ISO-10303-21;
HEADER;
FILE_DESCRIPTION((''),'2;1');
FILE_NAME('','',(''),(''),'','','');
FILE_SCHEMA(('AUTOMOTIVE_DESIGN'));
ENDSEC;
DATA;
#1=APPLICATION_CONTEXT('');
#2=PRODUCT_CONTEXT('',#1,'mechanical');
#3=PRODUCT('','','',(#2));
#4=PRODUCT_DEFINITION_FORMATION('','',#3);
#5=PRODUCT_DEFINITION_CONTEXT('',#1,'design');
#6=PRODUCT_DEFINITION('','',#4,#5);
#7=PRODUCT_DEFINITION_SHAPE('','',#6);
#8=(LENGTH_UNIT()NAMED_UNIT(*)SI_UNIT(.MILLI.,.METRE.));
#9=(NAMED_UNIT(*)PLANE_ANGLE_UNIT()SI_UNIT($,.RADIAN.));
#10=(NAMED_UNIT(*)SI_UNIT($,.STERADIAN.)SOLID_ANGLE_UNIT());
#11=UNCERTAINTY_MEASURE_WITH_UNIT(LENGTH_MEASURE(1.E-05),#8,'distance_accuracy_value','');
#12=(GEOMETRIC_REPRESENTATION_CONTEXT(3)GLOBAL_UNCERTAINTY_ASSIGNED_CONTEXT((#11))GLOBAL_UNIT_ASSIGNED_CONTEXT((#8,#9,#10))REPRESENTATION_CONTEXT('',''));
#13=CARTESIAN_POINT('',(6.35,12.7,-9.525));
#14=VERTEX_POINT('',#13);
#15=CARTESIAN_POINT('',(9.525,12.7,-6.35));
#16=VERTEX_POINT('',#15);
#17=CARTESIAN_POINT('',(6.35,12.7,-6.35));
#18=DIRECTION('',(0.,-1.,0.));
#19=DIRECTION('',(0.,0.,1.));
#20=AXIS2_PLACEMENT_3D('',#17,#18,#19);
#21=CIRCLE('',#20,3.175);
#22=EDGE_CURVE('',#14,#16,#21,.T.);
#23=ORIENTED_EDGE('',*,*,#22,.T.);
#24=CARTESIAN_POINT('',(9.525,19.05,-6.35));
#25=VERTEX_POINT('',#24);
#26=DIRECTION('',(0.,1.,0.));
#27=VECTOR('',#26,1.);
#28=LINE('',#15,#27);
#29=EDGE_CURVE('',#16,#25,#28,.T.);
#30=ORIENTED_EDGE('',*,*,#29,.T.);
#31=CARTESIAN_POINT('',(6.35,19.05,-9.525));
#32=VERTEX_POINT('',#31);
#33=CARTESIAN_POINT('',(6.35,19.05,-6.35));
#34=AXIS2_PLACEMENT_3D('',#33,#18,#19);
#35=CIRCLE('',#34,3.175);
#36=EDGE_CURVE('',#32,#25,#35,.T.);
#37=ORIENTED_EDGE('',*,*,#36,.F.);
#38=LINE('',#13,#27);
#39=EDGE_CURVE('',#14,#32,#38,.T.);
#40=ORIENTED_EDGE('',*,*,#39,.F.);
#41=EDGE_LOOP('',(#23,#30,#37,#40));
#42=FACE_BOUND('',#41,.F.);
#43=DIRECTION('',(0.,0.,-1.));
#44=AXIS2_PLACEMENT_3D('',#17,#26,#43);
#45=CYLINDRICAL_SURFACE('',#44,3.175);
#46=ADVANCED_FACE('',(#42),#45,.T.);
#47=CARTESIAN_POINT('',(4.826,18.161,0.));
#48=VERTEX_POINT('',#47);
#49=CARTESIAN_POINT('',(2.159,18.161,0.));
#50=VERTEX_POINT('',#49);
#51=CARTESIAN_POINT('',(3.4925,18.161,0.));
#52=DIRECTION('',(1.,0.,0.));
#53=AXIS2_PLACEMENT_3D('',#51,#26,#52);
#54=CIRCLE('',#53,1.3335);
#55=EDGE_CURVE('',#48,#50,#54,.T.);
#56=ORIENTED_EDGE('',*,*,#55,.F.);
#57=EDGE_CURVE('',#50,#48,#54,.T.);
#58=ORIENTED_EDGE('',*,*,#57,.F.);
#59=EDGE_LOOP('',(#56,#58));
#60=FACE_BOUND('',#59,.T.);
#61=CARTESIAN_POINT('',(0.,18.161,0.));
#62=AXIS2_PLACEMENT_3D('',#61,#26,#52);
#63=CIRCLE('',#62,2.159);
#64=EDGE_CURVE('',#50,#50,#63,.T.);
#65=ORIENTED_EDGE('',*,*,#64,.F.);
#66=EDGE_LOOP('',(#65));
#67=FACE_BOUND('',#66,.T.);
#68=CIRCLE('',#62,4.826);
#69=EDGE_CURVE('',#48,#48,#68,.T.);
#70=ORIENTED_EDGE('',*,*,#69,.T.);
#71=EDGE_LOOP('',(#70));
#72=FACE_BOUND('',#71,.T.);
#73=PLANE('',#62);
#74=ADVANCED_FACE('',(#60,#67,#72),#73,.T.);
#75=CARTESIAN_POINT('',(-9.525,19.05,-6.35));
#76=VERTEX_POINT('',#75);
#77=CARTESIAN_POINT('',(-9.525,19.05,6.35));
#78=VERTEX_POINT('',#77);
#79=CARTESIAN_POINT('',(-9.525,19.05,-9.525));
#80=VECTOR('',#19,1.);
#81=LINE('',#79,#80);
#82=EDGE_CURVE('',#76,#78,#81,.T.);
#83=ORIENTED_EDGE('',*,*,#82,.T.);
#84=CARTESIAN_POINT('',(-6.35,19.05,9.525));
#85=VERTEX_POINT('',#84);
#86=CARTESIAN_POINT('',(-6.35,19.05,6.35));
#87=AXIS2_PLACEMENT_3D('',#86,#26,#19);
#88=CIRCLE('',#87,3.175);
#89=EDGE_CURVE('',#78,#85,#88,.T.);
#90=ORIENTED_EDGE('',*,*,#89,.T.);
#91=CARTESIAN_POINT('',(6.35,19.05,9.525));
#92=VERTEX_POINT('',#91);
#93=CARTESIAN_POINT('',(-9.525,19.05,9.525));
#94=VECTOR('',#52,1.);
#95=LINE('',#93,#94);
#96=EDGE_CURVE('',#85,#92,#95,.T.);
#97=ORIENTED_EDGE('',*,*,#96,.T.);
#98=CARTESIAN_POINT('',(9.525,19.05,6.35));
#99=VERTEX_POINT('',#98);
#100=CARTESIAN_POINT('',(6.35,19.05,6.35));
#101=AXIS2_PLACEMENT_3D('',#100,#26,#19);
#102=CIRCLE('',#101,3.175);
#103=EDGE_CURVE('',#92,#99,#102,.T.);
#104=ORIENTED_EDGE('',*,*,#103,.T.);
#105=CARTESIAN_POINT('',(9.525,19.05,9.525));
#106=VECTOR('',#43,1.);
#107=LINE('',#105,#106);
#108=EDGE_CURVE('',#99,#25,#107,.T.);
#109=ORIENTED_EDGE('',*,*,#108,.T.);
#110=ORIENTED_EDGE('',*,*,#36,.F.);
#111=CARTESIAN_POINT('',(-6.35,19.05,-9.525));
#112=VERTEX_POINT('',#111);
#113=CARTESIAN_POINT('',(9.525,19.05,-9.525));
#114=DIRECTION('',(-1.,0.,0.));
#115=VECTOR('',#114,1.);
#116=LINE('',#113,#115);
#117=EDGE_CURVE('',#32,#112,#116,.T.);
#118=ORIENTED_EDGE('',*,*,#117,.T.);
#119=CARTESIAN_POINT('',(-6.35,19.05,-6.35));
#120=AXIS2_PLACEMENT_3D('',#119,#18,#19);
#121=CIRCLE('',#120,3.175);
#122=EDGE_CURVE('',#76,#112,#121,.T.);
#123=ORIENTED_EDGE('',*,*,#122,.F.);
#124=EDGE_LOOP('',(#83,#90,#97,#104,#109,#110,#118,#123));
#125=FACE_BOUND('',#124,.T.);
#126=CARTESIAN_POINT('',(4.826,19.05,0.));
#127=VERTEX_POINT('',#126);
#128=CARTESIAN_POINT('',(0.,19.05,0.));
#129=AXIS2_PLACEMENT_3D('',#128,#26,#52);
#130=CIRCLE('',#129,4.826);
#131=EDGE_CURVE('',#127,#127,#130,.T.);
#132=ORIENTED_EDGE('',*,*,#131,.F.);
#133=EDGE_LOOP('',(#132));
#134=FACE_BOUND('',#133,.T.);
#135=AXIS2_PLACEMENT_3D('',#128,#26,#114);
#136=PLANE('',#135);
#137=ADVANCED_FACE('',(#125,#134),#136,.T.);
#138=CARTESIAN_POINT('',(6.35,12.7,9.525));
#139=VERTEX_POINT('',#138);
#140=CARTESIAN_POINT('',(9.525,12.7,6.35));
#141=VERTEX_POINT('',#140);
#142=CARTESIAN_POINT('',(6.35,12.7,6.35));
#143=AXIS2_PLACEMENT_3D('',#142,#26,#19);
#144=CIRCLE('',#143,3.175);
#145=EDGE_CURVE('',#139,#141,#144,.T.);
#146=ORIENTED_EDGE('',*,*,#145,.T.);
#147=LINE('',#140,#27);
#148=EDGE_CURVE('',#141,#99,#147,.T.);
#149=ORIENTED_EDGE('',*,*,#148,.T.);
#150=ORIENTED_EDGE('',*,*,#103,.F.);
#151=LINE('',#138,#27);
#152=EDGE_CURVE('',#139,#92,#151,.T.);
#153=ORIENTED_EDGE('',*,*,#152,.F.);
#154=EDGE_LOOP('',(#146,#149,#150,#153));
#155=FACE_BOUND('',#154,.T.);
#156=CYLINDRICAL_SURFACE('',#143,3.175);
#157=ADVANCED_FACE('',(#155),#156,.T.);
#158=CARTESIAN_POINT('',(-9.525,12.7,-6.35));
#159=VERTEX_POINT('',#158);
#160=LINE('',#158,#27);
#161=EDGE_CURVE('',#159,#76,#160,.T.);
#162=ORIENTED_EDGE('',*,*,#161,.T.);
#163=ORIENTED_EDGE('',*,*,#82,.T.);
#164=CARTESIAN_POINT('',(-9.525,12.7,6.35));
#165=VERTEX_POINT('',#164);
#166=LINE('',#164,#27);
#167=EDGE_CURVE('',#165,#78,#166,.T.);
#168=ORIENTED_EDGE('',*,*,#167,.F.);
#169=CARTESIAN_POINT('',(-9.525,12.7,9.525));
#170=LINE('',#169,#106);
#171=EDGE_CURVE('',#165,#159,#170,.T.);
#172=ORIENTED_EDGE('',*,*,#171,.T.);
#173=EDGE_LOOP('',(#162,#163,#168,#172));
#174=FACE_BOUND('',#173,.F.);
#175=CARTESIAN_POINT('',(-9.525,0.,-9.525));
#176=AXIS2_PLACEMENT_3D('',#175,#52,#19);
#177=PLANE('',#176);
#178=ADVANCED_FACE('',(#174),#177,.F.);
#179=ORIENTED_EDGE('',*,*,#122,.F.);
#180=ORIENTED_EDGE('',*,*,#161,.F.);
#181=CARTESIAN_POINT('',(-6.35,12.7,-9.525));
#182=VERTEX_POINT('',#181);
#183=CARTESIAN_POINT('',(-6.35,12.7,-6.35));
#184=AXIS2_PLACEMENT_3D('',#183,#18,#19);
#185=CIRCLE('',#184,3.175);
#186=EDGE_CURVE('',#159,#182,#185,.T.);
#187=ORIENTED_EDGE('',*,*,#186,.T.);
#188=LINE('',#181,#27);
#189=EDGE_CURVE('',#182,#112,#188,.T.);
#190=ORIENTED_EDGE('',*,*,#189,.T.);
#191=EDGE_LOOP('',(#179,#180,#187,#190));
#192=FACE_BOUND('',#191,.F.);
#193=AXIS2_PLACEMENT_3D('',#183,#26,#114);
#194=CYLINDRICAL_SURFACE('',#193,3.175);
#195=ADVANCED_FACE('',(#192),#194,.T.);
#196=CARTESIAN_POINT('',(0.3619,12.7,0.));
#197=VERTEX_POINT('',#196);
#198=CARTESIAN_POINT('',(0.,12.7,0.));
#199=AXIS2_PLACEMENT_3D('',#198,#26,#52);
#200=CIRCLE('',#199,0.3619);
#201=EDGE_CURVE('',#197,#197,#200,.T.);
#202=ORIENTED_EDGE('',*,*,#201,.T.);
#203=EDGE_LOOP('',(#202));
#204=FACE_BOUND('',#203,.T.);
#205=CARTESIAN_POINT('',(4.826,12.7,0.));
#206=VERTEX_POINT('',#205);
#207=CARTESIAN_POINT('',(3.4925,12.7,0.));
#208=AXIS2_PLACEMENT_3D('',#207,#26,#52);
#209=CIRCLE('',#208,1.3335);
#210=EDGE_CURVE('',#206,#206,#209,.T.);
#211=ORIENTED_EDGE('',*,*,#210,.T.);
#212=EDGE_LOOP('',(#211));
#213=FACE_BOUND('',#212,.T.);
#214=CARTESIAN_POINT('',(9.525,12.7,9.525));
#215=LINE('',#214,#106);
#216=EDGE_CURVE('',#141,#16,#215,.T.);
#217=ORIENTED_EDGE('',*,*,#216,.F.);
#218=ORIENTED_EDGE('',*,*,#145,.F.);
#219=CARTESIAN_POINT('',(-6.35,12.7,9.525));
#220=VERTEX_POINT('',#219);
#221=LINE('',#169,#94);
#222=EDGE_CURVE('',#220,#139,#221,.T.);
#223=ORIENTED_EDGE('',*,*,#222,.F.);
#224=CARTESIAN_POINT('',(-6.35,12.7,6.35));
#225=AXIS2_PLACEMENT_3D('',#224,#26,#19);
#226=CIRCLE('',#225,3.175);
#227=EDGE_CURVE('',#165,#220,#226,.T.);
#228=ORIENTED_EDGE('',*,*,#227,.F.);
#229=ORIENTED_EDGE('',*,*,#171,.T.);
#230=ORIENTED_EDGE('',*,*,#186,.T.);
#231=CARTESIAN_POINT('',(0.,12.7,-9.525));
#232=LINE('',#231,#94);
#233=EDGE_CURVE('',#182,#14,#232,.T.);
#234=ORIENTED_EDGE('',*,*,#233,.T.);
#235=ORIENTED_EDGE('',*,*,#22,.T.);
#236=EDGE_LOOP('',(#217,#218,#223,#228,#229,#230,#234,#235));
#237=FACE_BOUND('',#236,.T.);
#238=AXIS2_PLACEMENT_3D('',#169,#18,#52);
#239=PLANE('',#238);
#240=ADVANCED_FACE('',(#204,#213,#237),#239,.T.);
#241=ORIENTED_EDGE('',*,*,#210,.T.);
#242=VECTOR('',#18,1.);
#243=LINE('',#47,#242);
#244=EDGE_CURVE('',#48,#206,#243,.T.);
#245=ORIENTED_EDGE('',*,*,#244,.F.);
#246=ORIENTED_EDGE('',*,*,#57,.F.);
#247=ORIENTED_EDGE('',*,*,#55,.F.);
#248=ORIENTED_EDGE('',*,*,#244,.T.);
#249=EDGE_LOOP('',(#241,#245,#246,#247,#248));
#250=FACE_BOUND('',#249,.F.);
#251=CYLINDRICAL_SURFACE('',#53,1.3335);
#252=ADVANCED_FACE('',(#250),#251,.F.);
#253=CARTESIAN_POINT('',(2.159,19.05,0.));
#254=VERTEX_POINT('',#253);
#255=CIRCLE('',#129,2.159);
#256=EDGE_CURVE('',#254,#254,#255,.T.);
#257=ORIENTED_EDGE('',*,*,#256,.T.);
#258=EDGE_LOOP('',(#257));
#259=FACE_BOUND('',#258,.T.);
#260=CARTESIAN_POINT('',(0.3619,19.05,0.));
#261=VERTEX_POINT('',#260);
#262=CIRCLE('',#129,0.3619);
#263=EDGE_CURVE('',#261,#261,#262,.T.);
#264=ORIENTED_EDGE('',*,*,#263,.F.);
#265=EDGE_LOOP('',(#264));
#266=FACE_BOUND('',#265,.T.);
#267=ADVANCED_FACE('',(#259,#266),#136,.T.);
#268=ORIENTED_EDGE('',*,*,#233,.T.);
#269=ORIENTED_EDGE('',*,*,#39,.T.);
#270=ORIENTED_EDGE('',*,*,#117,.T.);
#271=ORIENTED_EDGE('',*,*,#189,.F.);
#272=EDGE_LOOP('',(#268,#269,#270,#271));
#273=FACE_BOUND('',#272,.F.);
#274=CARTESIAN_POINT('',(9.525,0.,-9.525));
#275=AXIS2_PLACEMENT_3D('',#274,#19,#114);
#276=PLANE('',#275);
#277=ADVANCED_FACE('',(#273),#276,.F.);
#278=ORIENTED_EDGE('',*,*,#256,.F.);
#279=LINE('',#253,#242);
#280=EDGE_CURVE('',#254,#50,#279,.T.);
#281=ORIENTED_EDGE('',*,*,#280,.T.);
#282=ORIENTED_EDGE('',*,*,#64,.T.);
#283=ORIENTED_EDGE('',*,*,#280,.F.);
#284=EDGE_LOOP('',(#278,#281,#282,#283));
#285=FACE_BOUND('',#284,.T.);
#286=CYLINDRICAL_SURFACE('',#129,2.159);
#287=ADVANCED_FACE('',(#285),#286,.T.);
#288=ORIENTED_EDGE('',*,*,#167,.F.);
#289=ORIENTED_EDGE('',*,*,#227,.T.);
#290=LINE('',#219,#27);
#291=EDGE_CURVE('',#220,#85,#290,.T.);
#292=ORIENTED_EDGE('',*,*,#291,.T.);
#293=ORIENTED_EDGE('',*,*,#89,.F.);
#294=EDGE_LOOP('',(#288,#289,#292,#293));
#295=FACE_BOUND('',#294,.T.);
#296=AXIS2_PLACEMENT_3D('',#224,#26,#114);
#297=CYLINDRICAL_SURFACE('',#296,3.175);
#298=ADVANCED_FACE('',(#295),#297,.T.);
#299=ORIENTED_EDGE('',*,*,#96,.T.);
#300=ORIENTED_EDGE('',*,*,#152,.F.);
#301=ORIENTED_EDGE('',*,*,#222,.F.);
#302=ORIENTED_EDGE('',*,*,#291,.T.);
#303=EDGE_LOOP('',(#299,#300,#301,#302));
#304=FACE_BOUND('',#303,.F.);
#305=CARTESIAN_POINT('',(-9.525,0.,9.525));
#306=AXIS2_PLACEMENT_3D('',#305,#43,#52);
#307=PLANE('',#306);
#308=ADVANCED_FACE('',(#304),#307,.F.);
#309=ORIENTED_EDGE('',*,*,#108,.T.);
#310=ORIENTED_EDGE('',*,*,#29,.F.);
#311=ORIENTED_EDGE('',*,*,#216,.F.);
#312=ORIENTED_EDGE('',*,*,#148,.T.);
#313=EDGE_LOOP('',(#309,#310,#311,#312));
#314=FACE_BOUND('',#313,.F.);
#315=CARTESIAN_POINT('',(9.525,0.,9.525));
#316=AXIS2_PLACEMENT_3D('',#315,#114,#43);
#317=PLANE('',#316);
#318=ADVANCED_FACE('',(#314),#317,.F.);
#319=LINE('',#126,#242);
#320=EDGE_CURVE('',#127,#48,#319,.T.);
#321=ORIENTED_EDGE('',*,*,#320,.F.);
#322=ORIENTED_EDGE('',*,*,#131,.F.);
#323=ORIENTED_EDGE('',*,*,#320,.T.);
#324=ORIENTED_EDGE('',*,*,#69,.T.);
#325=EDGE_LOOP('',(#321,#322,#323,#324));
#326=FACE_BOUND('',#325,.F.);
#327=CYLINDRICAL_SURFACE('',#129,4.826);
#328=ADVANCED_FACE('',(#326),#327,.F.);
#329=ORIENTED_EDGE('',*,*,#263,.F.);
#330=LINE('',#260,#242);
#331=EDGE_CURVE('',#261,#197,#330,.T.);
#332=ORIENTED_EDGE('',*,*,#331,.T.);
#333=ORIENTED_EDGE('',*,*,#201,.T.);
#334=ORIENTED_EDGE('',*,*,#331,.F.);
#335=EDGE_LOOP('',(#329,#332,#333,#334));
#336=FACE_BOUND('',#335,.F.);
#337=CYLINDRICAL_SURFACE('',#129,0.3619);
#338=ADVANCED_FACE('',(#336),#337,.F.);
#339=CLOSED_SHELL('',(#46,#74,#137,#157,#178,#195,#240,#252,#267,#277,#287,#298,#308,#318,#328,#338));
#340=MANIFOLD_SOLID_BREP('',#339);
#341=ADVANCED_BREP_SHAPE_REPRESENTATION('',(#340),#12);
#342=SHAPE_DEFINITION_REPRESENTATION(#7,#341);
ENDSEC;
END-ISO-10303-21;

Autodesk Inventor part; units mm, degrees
ref_plane "YZ Plane" through (0, 0, 0) normal (1, 0, 0) x (0, 1, 0)
ref_plane "XZ Plane" through (0, 0, 0) normal (0, 1, 0) x (-1, 0, 0)
ref_plane "XY Plane" through (0, 0, 0) normal (0, 0, 1) x (1, 0, 0)
sketch "Sketch1" plane through (0, 0, 0) normal (0, 1, 0) x (-1, 0, 0)
  line L0 (9.525, 9.525) -> (-9.525, 9.525)
  line L1 (-9.525, 9.525) -> (-9.525, -9.525)
  line L2 (-9.525, -9.525) -> (9.525, -9.525)
  line L3 (9.525, -9.525) -> (9.525, 9.525)
  point P0 (0, 0)
  dimension "d0" = 19.05
  dimension "d1" = 19.05
  dimension "d2" = 9.525
  dimension "d3" = 9.525
extrude "Extrusion1" add sketch "Sketch1" along normal blind 19.05
sketch "Sketch2" plane through (0, 0, 0) normal (0, -1, 0) x (1, 0, 0)
  line L0 (6.35, 6.35) -> (-6.35, 6.35)
  line L1 (-6.35, 6.35) -> (-6.35, -6.35)
  line L2 (-6.35, -6.35) -> (6.35, -6.35)
  line L3 (6.35, -6.35) -> (6.35, 6.35)
  point P0 (0, 0)
  dimension "d6" = 12.7
  dimension "d7" = 12.7
  dimension "d8" = 6.35
  dimension "d9" = 6.35
extrude "Extrusion2" cut sketch "Sketch2" against normal blind 12.7
sketch "Sketch3" plane through (0, 19.05, 0) normal (0, 1, 0) x (1, 0, 0)
  circle A0 centre (0, 0) radius 4.826
  circle A1 centre (0, 0) radius 2.159
  dimension "d12" = 9.652
  dimension "d13" = 4.318
extrude "Extrusion3" cut sketch "Sketch3" against normal blind 0.889
sketch "Sketch4" plane through (0, 19.05, 0) normal (0, 1, 0) x (1, 0, 0)
  circle A0 centre (0, 0) radius 0.3619
  dimension "d16" = 0.7239
extrude "Extrusion4" cut sketch "Sketch4" against normal through all
sketch "Sketch5" plane through (0, 18.161, 0) normal (0, 1, 0) x (1, 0, 0)
  circle A0 centre (3.4925, 0) radius 1.3335
  circle A1 centre (0, 0) radius 2.159 projected
  line L0 (0, 0) -> (3.4925, 0) construction
  dimension "d19" = 2.667
  dimension "d20" = 3.4925
extrude "Extrusion5" cut sketch "Sketch5" against normal through all contours A0
sketch "Sketch7" plane through (-9.525, 0, 9.525) normal (0, 0, 1) x (1, 0, 0)
  line L0 (0, 0) -> (0, 19.05) projected
  line L1 (0, 12.7) -> (19.05, 12.7)
  line L2 (19.05, 12.7) -> (19.05, 0)
  line L3 (19.05, 0) -> (0, 0)
  line L4 (0, 0) -> (0, 12.7)
  point P0 (9.525, 0)
  dimension "d23" = 12.7
  dimension "d24" = 19.05
extrude "Extrusion6" cut sketch "Sketch7" against normal through all
fillet "Fillet1" radius 3.175 4 edges at (-9.525, 15.875, 9.525) (9.525, 15.875, 9.525) (9.525, 15.875, -9.525) (-9.525, 15.875, -9.525)
properties part number "Unit_v1"
